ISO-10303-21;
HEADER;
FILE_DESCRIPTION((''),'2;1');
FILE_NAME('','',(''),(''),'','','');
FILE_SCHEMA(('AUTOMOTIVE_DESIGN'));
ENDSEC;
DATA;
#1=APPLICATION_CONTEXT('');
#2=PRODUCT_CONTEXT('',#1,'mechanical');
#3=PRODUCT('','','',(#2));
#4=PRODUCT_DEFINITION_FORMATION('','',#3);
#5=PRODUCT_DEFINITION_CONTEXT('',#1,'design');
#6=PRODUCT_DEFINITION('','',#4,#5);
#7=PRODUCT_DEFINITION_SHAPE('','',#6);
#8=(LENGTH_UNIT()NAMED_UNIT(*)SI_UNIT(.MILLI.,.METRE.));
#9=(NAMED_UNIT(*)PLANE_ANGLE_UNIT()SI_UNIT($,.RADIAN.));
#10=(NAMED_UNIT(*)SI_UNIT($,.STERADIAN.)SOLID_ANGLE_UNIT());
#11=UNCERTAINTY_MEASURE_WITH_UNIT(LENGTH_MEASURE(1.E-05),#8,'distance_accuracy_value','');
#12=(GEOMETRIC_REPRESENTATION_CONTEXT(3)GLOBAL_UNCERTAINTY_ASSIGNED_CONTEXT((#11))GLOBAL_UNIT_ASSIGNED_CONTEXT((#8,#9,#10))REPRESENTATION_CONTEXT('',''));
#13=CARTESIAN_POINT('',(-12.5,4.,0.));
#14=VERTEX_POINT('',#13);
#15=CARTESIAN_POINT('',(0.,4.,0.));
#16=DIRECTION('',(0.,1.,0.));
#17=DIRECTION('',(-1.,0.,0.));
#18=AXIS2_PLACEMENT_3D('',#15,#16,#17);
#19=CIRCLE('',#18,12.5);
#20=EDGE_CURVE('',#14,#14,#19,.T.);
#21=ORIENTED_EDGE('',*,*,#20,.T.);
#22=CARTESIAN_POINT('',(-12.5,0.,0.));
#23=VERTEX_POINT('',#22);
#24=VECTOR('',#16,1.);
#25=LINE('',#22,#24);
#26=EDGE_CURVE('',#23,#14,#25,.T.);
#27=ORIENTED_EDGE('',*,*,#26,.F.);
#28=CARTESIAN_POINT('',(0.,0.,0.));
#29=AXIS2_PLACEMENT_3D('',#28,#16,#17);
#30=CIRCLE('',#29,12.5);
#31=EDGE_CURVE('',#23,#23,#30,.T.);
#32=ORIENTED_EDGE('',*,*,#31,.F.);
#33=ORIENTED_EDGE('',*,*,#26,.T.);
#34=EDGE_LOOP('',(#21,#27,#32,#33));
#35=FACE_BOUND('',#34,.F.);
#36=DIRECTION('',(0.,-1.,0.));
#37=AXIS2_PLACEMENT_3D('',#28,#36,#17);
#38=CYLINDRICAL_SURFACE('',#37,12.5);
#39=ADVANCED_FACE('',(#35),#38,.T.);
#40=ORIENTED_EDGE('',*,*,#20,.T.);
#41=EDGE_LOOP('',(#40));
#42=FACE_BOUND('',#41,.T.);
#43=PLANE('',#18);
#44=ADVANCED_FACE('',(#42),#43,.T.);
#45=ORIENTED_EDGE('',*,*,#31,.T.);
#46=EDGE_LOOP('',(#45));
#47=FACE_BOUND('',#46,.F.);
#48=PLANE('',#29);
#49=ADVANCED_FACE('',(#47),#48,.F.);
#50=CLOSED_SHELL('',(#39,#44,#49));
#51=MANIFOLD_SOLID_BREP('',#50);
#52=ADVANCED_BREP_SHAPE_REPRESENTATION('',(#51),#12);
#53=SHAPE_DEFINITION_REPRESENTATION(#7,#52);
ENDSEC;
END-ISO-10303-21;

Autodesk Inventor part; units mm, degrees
ref_plane "YZ Plane" through (0, 0, 0) normal (1, 0, 0) x (0, 1, 0)
ref_plane "XZ Plane" through (0, 0, 0) normal (0, 1, 0) x (-1, 0, 0)
ref_plane "XY Plane" through (0, 0, 0) normal (0, 0, 1) x (1, 0, 0)
sketch "Sketch1" plane through (0, 0, 0) normal (0, 1, 0) x (-1, 0, 0)
  circle A0 centre (0, 0) radius 12.5
  dimension "d0" = 25
extrude "Extrusion1" add sketch "Sketch1" along normal blind 4
